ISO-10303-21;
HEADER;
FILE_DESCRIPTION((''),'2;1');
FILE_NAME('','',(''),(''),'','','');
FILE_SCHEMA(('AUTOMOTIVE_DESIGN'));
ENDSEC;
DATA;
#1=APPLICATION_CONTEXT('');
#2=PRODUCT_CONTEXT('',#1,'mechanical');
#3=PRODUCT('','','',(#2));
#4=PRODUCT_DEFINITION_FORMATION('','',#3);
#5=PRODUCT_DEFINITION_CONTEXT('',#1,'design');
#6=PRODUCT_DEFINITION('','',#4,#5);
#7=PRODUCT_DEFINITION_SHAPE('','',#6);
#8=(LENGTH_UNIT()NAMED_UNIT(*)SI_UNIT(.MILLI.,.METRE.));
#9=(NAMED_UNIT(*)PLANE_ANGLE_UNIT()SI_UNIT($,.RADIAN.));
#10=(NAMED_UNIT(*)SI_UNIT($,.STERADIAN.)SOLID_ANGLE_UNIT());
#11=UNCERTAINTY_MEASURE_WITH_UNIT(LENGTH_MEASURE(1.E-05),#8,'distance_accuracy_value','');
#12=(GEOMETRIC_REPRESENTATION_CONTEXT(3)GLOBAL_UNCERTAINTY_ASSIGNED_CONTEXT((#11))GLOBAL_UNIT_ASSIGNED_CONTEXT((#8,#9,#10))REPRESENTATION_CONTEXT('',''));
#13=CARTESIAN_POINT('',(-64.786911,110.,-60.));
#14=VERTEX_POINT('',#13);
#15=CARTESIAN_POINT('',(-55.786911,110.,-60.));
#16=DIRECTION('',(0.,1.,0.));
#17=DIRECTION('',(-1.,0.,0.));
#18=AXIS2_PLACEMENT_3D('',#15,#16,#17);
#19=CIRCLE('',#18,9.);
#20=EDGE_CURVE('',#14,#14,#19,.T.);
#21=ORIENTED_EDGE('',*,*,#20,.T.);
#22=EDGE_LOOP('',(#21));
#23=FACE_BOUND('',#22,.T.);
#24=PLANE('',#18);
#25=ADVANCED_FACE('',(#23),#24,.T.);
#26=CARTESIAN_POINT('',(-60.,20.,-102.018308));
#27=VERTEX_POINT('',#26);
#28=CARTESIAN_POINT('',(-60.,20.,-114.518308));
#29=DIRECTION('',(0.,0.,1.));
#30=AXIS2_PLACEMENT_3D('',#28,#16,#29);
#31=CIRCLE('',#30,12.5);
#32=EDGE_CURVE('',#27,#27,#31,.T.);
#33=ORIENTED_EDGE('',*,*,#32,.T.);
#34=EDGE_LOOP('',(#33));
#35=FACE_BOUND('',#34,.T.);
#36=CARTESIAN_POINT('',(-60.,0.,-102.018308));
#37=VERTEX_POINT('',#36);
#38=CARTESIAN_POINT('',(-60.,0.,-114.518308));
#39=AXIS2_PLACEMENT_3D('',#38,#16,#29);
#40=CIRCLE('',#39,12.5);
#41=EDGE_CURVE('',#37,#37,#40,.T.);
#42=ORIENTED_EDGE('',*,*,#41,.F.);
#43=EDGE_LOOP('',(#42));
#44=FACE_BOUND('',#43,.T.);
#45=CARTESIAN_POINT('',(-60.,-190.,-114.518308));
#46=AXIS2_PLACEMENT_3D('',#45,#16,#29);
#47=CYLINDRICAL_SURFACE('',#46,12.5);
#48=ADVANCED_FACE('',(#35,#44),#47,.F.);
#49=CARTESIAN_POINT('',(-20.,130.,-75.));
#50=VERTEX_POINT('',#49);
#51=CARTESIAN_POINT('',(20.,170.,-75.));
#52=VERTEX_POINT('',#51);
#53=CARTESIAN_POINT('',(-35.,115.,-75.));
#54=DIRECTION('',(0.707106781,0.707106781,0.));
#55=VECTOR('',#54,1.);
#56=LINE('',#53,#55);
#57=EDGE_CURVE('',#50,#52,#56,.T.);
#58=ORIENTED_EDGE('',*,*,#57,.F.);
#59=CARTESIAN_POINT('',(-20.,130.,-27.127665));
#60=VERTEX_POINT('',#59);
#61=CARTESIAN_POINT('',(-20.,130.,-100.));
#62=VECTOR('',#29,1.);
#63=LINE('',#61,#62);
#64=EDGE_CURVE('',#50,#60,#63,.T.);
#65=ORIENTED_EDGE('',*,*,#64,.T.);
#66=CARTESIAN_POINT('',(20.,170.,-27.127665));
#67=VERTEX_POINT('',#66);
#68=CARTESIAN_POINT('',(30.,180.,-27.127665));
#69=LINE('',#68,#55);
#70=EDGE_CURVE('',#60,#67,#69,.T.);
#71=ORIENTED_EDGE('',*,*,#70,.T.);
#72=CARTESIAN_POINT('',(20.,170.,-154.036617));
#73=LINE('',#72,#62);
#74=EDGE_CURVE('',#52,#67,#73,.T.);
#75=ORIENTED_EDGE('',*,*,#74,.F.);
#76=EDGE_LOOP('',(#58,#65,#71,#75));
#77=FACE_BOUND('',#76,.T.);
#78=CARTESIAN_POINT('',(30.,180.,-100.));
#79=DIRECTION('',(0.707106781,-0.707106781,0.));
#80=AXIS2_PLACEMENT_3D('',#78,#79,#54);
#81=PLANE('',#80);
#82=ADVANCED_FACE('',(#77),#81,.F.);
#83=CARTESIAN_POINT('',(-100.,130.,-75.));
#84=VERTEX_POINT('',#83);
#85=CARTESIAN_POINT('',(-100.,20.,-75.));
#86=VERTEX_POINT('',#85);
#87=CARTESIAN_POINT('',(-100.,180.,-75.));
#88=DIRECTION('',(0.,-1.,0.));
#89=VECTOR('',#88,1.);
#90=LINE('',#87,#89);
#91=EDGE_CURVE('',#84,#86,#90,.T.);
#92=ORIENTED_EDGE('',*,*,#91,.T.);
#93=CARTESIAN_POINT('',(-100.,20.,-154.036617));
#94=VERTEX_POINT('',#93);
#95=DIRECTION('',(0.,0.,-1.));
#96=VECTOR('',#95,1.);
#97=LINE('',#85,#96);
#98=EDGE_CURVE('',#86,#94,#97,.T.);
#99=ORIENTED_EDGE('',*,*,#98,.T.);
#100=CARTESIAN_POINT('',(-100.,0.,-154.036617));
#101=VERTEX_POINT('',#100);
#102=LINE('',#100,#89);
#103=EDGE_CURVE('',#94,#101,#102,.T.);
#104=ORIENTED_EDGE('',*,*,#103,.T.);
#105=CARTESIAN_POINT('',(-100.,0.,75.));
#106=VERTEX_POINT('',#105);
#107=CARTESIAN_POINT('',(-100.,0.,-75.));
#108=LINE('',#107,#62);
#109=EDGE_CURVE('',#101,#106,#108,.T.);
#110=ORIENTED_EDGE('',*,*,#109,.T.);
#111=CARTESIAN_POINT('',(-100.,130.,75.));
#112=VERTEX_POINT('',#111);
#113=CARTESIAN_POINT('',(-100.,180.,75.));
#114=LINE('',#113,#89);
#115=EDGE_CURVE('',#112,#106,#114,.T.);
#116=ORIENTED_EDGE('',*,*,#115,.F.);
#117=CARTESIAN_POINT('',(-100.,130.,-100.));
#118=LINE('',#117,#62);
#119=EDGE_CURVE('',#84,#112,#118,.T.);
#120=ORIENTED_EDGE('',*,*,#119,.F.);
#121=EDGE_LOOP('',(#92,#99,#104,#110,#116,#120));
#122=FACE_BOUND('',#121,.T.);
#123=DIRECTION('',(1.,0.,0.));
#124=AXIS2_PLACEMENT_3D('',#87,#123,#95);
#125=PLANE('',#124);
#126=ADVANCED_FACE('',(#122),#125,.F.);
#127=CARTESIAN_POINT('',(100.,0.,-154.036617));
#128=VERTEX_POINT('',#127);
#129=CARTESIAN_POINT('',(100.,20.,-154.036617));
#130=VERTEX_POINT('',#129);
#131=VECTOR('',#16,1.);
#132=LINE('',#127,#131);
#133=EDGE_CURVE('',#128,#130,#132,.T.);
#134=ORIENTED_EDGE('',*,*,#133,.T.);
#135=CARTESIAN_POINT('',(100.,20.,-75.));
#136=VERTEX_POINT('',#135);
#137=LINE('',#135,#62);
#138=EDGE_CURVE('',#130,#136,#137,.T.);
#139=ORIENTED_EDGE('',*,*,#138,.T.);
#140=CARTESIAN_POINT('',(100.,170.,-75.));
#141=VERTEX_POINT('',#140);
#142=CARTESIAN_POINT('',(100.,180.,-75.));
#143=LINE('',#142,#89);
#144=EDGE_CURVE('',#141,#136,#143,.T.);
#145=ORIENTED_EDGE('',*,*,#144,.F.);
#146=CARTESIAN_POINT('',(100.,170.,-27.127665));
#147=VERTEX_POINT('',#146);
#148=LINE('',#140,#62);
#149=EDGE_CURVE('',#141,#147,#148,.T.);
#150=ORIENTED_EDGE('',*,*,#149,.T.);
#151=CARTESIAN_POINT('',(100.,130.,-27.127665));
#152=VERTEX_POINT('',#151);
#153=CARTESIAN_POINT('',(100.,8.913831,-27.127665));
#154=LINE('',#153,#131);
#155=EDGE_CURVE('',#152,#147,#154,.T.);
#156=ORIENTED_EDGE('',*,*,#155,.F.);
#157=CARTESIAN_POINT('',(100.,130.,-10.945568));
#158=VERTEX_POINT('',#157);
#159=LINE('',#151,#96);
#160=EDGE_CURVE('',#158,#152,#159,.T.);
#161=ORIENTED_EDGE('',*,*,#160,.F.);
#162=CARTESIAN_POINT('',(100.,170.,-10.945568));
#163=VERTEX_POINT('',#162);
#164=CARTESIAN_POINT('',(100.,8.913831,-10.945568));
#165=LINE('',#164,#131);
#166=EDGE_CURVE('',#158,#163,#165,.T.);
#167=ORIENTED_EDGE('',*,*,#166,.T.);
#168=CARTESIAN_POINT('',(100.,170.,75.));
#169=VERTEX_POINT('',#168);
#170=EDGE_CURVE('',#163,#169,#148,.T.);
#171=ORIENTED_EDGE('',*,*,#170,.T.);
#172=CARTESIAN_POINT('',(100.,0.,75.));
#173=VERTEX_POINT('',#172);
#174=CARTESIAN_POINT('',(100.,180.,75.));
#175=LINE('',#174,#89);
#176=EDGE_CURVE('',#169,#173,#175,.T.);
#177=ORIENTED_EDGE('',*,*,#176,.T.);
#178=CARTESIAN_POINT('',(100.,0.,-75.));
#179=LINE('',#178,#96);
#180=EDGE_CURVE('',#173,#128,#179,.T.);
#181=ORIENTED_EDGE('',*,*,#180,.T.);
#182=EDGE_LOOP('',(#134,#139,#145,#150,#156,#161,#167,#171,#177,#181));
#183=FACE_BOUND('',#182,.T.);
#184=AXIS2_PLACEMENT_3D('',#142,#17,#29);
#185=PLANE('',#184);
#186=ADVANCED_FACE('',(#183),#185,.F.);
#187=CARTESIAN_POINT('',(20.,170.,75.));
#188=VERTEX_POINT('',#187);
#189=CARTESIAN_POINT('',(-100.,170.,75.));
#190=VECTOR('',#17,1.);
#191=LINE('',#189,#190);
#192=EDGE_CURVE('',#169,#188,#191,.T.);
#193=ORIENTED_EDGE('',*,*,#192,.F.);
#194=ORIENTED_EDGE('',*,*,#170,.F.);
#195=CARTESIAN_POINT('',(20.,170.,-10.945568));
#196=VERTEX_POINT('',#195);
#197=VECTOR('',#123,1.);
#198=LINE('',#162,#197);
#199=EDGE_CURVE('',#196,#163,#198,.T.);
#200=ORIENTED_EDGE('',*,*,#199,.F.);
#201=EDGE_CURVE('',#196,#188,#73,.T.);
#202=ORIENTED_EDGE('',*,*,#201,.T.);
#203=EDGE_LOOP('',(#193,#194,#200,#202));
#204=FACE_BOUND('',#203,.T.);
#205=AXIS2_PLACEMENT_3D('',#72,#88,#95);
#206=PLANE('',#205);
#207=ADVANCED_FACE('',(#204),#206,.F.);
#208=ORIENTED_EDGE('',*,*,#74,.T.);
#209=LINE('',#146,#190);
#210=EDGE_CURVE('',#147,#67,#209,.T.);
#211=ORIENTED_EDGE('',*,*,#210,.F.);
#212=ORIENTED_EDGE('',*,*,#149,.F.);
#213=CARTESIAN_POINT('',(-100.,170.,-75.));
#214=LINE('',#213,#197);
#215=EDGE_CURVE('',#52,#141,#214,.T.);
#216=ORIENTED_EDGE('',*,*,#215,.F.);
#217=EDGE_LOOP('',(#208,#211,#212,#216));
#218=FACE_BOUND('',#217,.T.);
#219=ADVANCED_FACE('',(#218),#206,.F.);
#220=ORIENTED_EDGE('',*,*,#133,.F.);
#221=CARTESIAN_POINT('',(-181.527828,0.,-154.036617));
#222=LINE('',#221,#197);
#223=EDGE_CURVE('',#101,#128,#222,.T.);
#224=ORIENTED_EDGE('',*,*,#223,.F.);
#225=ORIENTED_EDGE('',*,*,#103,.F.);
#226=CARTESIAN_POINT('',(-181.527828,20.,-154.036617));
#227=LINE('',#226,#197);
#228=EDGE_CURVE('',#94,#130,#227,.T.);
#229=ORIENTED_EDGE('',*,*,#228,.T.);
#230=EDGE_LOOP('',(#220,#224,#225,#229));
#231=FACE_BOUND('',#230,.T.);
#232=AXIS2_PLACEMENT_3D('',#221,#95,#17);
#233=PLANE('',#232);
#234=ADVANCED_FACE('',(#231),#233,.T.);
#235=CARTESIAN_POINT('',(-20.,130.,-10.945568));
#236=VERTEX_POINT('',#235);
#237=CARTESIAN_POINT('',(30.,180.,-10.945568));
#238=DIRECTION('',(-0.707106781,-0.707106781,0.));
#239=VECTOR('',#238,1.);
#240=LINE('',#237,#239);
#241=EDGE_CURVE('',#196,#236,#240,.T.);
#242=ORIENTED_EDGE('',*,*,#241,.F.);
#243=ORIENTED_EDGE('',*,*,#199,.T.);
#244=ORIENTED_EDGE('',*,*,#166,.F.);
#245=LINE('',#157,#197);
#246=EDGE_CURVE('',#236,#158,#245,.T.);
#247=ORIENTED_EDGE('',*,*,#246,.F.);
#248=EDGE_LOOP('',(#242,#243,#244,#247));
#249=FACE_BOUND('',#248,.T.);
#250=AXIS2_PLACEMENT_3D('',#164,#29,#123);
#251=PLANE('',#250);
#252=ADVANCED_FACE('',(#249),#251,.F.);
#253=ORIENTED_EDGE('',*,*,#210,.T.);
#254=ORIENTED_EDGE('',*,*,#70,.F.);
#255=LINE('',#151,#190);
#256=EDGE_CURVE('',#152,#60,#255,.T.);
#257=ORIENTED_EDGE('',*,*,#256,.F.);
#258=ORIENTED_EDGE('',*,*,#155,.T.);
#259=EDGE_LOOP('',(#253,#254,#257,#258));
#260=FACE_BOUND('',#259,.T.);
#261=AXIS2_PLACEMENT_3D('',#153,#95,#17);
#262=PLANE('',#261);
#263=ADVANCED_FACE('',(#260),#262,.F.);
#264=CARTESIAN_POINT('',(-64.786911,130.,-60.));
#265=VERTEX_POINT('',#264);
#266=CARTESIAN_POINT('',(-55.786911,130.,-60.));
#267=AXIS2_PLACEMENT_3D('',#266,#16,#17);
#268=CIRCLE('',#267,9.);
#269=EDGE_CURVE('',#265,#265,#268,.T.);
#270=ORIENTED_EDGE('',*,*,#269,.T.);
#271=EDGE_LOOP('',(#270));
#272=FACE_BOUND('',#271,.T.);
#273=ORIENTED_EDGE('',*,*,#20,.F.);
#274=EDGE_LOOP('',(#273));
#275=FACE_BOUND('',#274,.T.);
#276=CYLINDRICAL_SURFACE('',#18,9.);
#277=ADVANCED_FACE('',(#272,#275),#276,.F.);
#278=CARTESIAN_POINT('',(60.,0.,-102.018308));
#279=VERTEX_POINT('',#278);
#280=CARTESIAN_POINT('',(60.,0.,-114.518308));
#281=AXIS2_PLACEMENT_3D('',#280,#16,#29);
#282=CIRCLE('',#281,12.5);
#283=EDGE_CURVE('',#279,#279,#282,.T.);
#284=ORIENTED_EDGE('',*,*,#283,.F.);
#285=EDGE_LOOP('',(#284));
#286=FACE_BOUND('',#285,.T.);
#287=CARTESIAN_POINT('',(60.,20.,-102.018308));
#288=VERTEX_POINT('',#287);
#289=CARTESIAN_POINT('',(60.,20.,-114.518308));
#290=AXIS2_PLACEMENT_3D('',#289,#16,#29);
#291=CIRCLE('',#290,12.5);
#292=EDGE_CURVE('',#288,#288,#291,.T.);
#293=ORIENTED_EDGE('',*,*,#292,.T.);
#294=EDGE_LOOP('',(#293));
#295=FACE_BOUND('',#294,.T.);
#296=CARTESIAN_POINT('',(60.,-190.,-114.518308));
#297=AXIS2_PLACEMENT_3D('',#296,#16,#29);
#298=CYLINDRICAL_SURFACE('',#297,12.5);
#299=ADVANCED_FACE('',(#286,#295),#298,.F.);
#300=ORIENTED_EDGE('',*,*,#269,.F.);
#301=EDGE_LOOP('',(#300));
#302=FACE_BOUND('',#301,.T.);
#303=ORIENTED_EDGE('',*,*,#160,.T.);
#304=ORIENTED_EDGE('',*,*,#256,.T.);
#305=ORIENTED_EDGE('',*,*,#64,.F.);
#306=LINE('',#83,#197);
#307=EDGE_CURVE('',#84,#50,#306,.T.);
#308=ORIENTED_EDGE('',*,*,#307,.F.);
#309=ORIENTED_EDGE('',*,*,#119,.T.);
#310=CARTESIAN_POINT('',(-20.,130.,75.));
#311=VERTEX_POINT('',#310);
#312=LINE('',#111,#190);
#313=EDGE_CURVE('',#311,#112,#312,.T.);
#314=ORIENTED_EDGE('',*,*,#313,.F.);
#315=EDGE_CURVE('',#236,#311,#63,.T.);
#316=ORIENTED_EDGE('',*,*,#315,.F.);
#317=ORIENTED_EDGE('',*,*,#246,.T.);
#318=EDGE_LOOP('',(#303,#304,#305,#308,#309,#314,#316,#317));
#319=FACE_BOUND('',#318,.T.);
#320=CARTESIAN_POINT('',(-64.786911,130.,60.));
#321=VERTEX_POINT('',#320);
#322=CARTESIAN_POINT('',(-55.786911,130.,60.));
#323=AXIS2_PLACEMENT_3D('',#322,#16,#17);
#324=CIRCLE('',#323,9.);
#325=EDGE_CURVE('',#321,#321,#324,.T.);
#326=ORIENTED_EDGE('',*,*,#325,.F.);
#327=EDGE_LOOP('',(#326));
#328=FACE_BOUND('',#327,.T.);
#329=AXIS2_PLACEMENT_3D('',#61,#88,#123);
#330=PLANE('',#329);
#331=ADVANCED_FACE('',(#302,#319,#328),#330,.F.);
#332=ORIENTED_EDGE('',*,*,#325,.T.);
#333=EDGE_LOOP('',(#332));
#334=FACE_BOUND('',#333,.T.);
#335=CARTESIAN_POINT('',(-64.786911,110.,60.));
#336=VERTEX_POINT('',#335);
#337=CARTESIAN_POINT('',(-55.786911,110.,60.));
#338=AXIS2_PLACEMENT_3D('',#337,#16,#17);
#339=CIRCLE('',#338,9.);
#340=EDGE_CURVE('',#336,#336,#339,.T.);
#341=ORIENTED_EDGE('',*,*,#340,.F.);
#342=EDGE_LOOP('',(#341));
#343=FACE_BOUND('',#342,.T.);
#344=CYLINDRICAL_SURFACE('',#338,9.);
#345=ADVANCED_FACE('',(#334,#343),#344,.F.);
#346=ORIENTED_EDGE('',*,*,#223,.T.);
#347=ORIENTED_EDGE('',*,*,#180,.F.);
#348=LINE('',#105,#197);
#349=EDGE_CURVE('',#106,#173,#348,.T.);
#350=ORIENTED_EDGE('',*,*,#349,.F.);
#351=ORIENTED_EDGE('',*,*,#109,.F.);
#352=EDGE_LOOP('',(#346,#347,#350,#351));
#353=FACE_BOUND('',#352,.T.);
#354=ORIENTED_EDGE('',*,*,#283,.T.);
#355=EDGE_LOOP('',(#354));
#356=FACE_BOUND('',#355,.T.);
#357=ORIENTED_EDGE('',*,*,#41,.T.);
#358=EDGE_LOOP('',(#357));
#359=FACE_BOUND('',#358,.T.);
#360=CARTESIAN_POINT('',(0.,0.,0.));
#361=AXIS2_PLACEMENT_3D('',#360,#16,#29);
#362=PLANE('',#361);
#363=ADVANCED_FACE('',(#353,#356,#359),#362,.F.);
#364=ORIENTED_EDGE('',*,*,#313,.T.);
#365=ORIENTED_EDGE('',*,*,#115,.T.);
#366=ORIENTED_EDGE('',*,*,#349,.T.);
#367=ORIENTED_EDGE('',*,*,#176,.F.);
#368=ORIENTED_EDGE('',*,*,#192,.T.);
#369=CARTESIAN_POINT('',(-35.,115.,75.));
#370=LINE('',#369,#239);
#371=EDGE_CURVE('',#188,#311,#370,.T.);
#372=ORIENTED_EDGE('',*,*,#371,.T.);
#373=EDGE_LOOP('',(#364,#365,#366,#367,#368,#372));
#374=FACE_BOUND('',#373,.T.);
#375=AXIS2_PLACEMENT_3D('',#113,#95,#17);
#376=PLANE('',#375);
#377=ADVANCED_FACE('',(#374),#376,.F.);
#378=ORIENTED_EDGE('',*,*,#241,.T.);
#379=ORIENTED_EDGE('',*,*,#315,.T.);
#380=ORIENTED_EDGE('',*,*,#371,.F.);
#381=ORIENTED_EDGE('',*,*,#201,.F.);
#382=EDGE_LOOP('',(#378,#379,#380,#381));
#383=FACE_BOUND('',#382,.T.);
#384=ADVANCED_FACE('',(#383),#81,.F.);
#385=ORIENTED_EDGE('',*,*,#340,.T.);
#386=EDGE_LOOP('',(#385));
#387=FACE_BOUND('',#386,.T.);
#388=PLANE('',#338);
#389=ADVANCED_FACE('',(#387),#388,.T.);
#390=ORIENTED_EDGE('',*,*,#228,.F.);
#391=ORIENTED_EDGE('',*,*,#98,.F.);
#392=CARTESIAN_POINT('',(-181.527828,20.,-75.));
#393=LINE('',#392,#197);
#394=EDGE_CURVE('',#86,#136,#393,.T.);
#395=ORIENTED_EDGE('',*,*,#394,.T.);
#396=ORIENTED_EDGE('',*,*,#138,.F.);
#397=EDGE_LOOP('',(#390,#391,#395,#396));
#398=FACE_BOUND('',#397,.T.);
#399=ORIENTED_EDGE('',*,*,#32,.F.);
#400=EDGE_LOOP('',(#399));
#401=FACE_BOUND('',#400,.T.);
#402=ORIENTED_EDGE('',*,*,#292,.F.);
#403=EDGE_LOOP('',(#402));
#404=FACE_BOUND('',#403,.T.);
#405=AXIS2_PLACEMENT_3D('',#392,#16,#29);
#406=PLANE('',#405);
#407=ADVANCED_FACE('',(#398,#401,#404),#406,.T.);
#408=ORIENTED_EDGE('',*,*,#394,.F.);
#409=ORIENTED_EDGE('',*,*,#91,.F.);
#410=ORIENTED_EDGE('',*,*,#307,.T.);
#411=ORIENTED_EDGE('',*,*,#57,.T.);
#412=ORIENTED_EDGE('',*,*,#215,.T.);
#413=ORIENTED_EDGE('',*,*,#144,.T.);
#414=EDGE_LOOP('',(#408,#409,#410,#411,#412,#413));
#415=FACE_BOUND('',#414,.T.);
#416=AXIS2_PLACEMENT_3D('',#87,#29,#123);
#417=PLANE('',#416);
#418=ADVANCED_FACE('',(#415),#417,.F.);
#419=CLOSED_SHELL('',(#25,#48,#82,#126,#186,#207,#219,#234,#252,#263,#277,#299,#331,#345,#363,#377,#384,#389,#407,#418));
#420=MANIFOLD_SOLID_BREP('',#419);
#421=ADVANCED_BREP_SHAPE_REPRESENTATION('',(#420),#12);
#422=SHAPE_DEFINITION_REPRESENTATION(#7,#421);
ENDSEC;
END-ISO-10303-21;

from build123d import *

# Parameters (mm, degrees)
SKETCH_1_W               = 200
SKETCH_1_H               = 150
EXTRUDE_1_DEPTH          = 180
CUT_EXTRUDE_1_DEPTH      = 100
SKETCH_3_W               = 120
SKETCH_3_H               = 16.18209701
CUT_EXTRUDE_2_DEPTH      = 50
SKETCH_4_R               = 9
CUT_EXTRUDE_3_DEPTH      = 20
SKETCH_5_W               = 79.036616744
SKETCH_5_H               = 20
EXTRUDE_2_DEPTH          = 200
SKETCH_6_R               = 12.5
CUT_EXTRUDE_4_DEPTH      = 210
CUT_EXTRUDE_5_DEPTH      = 308.989889135
CUT_EXTRUDE_5_DEPTH_BACK = 308.989889135


with BuildPart() as part:
    # 草图1 → 凸台-拉伸1 (new body)
    with BuildSketch(Plane(origin=(0, 0, 0), x_dir=(1, 0, 0), z_dir=(0, 1, 0))):
        Rectangle(SKETCH_1_W, SKETCH_1_H)
    extrude(amount=EXTRUDE_1_DEPTH)

    # 草图2 → 切除-拉伸1 (cut, symmetric)
    with BuildSketch(Plane.XY):
        Polygon((-100, 180), (30, 180), (-20, 130), (-100, 130), align=None)
    extrude(amount=CUT_EXTRUDE_1_DEPTH, both=True, mode=Mode.SUBTRACT)

    # 草图3 → 切除-拉伸2 (cut)
    with BuildSketch(Plane(origin=(0, 180, 0), x_dir=(1, 0, 0), z_dir=(0, 1, 0))):
        with Locations((40, 19.036616744)):
            Rectangle(SKETCH_3_W, SKETCH_3_H)
    extrude(amount=-CUT_EXTRUDE_2_DEPTH, mode=Mode.SUBTRACT)

    # 草图4 → 切除-拉伸3 (cut)
    with BuildSketch(Plane(origin=(0, 130, 0), x_dir=(1, 0, 0), z_dir=(0, 1, 0))):
        with Locations(Location((-55.786910577, 60, 0), (0, 0, 180))):
            Circle(SKETCH_4_R)
        with Locations(Location((-55.786910577, -60, 0), (0, 0, 180))):
            Circle(SKETCH_4_R)
    extrude(amount=-CUT_EXTRUDE_3_DEPTH, mode=Mode.SUBTRACT)

    # 草图5 → 凸台-拉伸2 (add)
    with BuildSketch(Plane(origin=(100, 0, 0), x_dir=(0, 0, -1), z_dir=(1, 0, 0))):
        with Locations((114.518308372, 10)):
            Rectangle(SKETCH_5_W, SKETCH_5_H)
    extrude(amount=-EXTRUDE_2_DEPTH)

    # 草图6 → 切除-拉伸4 (cut)
    with BuildSketch(Plane(origin=(0, 20, 0), x_dir=(1, 0, 0), z_dir=(0, 1, 0))):
        with Locations(Location((-60, 114.518308372, 0), (0, 0, 270))):
            Circle(SKETCH_6_R)
        with Locations(Location((60, 114.518308372, 0), (0, 0, 270))):
            Circle(SKETCH_6_R)
    extrude(amount=-CUT_EXTRUDE_4_DEPTH, mode=Mode.SUBTRACT)

    # 草图7 → 切除-拉伸5 (cut, two sides: drawn at the far end of the back side and taken through both)
    with BuildSketch(Plane.XY.offset(75).offset(-CUT_EXTRUDE_5_DEPTH_BACK)):
        Polygon((20, 170), (112.388945941, 170), (112.388945941, 195.821739968), (6.51381217, 195.821739968), align=None)
    extrude(amount=CUT_EXTRUDE_5_DEPTH + CUT_EXTRUDE_5_DEPTH_BACK, mode=Mode.SUBTRACT)


solid = part.part
